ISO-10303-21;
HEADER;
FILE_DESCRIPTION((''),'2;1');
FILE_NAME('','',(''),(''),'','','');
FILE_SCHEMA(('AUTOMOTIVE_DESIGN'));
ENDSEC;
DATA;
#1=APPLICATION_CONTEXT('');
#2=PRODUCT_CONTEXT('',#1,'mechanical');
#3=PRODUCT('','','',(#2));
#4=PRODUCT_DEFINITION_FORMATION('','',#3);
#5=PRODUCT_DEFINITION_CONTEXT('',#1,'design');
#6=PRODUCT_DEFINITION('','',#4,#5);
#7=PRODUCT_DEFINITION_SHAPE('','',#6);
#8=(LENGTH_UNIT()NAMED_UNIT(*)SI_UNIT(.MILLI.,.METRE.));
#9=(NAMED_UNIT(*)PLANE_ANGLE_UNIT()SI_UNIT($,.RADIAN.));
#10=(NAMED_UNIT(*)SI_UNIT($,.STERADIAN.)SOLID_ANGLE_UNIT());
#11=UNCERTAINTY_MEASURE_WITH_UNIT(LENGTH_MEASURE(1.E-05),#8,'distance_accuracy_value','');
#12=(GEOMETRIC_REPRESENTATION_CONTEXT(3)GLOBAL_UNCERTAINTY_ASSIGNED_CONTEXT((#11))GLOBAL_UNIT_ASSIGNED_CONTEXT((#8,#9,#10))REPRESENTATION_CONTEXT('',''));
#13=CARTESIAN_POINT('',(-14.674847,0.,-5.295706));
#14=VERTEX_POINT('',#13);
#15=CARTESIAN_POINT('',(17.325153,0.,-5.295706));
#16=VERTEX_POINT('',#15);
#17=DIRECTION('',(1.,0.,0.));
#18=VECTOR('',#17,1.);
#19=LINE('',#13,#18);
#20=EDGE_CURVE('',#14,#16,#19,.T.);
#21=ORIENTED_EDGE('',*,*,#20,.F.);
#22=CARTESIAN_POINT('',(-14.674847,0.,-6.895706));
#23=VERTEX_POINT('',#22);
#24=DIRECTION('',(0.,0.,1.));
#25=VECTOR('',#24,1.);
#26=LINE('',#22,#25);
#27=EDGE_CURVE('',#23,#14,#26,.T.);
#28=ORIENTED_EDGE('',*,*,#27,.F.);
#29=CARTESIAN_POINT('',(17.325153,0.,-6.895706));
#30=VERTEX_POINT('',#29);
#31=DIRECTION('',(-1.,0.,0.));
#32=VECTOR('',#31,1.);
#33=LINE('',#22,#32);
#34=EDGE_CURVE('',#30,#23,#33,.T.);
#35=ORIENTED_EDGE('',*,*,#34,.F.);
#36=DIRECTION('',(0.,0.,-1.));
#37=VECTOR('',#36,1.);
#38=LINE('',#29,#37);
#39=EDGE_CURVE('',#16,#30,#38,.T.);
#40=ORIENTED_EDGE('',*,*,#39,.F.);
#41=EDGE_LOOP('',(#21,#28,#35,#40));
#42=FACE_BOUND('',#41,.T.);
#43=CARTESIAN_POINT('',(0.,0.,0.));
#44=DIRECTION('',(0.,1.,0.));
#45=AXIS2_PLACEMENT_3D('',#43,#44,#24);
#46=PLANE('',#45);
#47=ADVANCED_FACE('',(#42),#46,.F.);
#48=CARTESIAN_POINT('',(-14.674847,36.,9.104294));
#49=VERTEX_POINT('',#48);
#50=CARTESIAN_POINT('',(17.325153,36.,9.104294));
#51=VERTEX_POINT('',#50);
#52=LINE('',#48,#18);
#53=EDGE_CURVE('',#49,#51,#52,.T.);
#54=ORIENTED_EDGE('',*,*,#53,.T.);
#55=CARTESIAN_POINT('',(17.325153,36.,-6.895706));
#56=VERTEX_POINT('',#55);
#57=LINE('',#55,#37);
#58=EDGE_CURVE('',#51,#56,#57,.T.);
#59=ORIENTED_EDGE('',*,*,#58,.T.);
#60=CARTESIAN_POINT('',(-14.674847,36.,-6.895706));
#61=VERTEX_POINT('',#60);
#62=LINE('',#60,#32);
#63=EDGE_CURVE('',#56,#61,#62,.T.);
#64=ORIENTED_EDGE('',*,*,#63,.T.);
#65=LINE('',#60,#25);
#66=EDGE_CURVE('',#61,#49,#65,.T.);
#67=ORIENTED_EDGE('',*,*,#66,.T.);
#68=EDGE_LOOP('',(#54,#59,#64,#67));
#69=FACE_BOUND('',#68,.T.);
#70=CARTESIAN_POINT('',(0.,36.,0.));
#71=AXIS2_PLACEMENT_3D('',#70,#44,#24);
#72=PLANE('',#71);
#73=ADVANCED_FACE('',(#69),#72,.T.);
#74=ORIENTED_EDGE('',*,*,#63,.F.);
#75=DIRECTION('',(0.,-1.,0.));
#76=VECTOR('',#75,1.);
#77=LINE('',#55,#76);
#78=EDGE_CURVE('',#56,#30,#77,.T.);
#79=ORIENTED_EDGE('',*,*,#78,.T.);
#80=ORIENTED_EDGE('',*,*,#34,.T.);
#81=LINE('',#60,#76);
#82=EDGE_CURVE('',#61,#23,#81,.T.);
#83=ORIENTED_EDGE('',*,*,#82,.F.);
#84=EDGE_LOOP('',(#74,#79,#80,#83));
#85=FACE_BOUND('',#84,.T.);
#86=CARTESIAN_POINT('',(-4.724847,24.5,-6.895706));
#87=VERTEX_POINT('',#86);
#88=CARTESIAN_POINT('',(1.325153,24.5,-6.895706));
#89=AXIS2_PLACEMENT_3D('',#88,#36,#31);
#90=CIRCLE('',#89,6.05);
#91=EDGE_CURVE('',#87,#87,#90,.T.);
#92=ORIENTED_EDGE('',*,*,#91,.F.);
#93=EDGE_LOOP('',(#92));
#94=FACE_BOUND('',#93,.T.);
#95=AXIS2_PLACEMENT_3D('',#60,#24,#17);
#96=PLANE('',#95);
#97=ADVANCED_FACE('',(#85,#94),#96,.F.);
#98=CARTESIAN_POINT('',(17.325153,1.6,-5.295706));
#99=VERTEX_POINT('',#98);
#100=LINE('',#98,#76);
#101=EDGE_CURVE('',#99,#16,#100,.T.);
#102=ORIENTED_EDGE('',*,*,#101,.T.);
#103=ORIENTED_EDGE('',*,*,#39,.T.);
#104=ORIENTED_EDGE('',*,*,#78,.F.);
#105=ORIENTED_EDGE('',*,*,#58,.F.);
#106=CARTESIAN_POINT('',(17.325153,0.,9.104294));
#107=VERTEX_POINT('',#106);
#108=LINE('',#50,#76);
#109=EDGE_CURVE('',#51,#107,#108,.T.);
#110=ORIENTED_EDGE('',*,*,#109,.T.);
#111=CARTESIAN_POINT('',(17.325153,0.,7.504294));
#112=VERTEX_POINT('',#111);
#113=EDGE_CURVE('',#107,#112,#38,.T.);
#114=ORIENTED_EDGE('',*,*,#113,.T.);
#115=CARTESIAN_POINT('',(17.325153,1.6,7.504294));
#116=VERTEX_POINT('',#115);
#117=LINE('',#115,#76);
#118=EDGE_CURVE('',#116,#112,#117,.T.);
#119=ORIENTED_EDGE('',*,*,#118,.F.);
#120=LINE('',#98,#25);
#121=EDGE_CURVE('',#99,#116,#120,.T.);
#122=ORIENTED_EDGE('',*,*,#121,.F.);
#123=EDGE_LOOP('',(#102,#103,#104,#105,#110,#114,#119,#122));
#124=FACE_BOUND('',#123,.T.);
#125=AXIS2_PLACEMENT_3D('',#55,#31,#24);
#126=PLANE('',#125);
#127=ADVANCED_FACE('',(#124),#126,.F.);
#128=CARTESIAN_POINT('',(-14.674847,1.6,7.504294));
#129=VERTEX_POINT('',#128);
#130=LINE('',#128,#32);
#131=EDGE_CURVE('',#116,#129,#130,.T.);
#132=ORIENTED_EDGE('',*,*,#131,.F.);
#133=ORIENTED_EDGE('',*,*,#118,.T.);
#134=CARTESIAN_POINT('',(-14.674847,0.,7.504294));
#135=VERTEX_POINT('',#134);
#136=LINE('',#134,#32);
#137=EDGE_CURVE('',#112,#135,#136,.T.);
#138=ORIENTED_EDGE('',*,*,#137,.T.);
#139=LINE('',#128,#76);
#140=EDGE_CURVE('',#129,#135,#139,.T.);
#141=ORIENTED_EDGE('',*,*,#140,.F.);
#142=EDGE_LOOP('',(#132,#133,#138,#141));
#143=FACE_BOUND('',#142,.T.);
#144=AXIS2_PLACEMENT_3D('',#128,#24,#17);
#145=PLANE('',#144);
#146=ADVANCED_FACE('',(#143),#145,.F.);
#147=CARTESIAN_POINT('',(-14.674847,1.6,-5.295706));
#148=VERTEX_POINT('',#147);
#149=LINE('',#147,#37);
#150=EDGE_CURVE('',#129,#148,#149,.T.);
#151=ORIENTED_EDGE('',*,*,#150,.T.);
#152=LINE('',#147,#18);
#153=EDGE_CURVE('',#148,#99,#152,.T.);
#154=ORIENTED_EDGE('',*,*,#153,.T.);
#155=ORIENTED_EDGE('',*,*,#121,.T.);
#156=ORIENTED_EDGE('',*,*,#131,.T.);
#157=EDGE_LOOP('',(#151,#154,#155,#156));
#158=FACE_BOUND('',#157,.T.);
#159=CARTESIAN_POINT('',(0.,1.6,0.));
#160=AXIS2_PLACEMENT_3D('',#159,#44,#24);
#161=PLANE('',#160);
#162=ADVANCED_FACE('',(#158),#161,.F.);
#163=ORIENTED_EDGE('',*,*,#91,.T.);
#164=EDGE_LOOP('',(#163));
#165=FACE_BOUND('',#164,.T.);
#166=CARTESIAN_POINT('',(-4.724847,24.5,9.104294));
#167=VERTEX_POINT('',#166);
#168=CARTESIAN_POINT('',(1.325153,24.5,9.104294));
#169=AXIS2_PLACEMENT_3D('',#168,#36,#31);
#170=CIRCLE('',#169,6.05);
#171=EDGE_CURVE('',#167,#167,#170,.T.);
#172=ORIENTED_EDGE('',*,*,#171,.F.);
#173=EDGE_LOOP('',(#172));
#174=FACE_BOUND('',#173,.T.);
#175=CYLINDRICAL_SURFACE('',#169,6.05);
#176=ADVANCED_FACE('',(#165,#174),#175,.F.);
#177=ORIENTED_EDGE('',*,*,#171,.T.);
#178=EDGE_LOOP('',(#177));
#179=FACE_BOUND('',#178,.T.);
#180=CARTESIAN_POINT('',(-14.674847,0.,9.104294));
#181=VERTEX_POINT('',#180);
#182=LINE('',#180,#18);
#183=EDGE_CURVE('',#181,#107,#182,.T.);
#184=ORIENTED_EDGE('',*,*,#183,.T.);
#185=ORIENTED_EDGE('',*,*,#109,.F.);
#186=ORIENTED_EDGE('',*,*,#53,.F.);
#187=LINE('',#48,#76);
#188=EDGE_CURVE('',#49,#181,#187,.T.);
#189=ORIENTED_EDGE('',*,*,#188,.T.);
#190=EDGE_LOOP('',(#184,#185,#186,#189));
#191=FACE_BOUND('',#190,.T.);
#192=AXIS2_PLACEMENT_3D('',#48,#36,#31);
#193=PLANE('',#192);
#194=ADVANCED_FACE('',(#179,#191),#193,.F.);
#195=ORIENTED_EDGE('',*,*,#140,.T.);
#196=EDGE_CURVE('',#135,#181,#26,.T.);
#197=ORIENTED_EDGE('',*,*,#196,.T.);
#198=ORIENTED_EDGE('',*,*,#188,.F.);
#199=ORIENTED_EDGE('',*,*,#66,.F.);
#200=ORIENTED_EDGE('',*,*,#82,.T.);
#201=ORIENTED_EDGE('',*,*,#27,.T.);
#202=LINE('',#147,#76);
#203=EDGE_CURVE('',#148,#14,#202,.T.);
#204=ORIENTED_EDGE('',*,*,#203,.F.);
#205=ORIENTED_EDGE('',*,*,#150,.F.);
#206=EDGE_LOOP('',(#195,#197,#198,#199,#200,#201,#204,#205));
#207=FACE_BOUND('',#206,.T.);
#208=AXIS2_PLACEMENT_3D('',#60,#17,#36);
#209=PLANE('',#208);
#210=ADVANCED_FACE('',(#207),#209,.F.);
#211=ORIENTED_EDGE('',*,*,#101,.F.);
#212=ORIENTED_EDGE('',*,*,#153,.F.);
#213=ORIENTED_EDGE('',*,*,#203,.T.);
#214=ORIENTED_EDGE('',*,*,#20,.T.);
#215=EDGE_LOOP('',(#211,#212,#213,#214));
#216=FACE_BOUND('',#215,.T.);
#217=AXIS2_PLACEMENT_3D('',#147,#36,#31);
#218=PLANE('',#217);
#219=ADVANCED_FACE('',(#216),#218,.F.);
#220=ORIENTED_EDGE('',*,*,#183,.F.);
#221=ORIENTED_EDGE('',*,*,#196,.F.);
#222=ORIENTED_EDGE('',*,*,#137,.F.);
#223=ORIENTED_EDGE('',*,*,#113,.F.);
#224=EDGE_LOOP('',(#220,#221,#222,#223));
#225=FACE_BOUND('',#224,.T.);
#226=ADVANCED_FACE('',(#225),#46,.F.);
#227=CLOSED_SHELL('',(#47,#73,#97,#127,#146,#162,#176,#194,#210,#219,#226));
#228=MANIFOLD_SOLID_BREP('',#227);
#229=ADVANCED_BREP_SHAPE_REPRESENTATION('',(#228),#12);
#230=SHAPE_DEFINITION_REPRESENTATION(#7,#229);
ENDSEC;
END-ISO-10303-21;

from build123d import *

# Parameters (mm, degrees)
SKETCH1_W           = 32
SKETCH1_H           = 16
BOSS_EXTRUDE1_DEPTH = 36
SKETCH2_W           = 32
SKETCH2_H           = 12.8
CUT_EXTRUDE1_DEPTH  = 1.6
SKETCH3_R           = 6.05
CUT_EXTRUDE2_DEPTH  = 44.036739415


with BuildPart() as part:
    # Sketch1 → Boss-Extrude1 (new body)
    with BuildSketch(Plane(origin=(0, 0, 0), x_dir=(1, 0, 0), z_dir=(0, 1, 0))):
        with Locations((1.325153374, -1.104294479)):
            Rectangle(SKETCH1_W, SKETCH1_H)
    extrude(amount=BOSS_EXTRUDE1_DEPTH)

    # Sketch2 → Cut-Extrude1 (cut)
    with BuildSketch(Plane(origin=(0, 0, 0), x_dir=(-1, 0, 0), z_dir=(0, -1, 0))):
        with Locations((-1.325153374, -1.104294479)):
            Rectangle(SKETCH2_W, SKETCH2_H)
    extrude(amount=-CUT_EXTRUDE1_DEPTH, mode=Mode.SUBTRACT)

    # Sketch3 → Cut-Extrude2 (cut, through all)
    with BuildSketch(Plane(origin=(0, 0, -6.895705521), x_dir=(-1, 0, 0), z_dir=(0, 0, -1))):
        with Locations((-1.325153374, 24.5)):
            Circle(SKETCH3_R)
    extrude(amount=-CUT_EXTRUDE2_DEPTH, mode=Mode.SUBTRACT)


solid = part.part
